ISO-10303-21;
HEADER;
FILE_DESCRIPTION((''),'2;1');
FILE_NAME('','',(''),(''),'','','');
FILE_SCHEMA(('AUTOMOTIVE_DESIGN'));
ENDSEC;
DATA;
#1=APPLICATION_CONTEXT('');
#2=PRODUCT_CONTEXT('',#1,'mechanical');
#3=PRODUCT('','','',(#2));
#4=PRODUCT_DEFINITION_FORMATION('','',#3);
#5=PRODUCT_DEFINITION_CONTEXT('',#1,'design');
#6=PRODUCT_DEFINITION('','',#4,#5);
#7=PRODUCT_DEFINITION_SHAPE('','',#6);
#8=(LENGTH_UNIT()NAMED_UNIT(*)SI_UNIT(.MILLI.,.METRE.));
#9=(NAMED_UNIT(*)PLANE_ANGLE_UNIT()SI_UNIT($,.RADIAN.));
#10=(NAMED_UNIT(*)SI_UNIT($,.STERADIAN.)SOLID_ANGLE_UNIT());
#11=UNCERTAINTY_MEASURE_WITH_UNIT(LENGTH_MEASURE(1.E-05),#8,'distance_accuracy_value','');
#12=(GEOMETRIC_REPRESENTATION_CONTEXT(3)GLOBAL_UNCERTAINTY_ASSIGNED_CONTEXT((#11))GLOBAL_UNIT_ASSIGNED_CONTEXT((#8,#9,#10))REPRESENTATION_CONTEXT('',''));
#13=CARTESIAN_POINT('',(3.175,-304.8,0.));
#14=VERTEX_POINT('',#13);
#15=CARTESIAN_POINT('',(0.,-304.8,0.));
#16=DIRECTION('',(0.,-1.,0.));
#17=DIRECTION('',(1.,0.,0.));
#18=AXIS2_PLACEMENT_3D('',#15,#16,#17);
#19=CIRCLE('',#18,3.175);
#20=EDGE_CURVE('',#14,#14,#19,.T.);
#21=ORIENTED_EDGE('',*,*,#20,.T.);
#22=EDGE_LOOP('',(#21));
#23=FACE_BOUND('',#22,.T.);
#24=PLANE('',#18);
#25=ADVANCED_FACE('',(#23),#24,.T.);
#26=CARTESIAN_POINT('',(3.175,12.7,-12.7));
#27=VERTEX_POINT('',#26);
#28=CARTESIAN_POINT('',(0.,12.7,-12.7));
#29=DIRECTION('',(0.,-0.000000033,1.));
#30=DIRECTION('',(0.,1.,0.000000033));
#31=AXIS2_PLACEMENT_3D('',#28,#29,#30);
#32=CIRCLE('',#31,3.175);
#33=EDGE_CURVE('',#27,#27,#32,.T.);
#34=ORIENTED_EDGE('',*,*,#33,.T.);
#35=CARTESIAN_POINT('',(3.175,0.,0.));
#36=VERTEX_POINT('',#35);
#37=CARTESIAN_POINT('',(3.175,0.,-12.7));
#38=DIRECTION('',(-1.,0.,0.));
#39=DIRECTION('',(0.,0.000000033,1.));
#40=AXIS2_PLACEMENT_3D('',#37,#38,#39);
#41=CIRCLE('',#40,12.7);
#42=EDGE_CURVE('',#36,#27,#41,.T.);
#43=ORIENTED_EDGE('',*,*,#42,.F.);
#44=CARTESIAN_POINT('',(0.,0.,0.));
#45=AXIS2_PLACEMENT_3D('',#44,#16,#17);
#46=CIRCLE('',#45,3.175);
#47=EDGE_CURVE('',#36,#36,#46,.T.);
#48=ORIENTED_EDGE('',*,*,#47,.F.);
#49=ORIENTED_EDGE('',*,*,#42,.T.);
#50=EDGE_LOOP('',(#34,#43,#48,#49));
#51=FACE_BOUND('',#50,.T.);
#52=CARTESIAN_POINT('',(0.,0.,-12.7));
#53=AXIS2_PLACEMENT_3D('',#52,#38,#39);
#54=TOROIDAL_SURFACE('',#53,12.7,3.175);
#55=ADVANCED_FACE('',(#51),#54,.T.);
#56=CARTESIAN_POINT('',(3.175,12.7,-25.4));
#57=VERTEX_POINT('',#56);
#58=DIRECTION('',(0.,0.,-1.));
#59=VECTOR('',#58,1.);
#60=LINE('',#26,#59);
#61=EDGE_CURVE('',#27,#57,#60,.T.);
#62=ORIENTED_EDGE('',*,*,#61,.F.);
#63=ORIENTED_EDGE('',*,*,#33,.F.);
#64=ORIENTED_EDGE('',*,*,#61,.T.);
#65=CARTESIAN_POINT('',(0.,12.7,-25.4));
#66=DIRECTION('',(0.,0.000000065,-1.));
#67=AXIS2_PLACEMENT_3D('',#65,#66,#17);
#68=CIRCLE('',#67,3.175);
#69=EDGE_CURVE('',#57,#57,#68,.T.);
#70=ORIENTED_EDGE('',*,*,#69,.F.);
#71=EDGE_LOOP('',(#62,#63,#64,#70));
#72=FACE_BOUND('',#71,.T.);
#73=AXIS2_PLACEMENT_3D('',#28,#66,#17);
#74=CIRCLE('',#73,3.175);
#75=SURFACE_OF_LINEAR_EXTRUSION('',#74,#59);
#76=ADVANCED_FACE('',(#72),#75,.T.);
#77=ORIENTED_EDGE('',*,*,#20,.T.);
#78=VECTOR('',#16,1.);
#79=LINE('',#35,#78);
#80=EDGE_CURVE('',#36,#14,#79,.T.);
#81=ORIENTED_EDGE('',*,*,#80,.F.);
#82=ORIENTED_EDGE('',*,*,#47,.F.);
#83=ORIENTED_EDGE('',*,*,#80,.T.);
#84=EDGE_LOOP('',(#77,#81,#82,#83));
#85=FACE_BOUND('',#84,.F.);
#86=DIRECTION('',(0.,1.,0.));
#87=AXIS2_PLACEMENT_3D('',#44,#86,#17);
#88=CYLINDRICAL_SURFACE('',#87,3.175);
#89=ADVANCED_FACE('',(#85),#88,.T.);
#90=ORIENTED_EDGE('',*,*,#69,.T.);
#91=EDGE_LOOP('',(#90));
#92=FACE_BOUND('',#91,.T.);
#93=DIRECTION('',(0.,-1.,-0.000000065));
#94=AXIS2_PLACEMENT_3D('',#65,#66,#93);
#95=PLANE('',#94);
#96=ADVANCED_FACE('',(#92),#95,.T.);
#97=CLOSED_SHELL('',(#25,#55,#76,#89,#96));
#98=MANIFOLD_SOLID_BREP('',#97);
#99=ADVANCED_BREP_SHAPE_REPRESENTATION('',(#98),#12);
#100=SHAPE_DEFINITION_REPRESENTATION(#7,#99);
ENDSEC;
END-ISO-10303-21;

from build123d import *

# Parameters (mm, degrees)
F0_R      = 3.175
F1_DEPTH  = 304.8
F1_FACE_R = 3.175


with BuildPart() as f1:
    # F0 (on Front) → F1 (new body)
    with BuildSketch(Plane.XZ):
        Circle(F0_R)
    extrude(amount=F1_DEPTH)

    # F3: sweep along a path in F2
    with BuildLine(Plane.YZ) as f3_path:
        ThreePointArc((0, 0), (8.980256, -3.719744), (12.7, -12.7))
        Line((12.7, -12.7), (12.7, -25.4))
    # F1_face (on face) → F3 (sweep)
    with BuildSketch(Plane(origin=(0, 0, 0), x_dir=(1, 0, 0), z_dir=(0, 1, 0))):
        Circle(F1_FACE_R)
    sweep(path=f3_path.line)


solid = f1.part
